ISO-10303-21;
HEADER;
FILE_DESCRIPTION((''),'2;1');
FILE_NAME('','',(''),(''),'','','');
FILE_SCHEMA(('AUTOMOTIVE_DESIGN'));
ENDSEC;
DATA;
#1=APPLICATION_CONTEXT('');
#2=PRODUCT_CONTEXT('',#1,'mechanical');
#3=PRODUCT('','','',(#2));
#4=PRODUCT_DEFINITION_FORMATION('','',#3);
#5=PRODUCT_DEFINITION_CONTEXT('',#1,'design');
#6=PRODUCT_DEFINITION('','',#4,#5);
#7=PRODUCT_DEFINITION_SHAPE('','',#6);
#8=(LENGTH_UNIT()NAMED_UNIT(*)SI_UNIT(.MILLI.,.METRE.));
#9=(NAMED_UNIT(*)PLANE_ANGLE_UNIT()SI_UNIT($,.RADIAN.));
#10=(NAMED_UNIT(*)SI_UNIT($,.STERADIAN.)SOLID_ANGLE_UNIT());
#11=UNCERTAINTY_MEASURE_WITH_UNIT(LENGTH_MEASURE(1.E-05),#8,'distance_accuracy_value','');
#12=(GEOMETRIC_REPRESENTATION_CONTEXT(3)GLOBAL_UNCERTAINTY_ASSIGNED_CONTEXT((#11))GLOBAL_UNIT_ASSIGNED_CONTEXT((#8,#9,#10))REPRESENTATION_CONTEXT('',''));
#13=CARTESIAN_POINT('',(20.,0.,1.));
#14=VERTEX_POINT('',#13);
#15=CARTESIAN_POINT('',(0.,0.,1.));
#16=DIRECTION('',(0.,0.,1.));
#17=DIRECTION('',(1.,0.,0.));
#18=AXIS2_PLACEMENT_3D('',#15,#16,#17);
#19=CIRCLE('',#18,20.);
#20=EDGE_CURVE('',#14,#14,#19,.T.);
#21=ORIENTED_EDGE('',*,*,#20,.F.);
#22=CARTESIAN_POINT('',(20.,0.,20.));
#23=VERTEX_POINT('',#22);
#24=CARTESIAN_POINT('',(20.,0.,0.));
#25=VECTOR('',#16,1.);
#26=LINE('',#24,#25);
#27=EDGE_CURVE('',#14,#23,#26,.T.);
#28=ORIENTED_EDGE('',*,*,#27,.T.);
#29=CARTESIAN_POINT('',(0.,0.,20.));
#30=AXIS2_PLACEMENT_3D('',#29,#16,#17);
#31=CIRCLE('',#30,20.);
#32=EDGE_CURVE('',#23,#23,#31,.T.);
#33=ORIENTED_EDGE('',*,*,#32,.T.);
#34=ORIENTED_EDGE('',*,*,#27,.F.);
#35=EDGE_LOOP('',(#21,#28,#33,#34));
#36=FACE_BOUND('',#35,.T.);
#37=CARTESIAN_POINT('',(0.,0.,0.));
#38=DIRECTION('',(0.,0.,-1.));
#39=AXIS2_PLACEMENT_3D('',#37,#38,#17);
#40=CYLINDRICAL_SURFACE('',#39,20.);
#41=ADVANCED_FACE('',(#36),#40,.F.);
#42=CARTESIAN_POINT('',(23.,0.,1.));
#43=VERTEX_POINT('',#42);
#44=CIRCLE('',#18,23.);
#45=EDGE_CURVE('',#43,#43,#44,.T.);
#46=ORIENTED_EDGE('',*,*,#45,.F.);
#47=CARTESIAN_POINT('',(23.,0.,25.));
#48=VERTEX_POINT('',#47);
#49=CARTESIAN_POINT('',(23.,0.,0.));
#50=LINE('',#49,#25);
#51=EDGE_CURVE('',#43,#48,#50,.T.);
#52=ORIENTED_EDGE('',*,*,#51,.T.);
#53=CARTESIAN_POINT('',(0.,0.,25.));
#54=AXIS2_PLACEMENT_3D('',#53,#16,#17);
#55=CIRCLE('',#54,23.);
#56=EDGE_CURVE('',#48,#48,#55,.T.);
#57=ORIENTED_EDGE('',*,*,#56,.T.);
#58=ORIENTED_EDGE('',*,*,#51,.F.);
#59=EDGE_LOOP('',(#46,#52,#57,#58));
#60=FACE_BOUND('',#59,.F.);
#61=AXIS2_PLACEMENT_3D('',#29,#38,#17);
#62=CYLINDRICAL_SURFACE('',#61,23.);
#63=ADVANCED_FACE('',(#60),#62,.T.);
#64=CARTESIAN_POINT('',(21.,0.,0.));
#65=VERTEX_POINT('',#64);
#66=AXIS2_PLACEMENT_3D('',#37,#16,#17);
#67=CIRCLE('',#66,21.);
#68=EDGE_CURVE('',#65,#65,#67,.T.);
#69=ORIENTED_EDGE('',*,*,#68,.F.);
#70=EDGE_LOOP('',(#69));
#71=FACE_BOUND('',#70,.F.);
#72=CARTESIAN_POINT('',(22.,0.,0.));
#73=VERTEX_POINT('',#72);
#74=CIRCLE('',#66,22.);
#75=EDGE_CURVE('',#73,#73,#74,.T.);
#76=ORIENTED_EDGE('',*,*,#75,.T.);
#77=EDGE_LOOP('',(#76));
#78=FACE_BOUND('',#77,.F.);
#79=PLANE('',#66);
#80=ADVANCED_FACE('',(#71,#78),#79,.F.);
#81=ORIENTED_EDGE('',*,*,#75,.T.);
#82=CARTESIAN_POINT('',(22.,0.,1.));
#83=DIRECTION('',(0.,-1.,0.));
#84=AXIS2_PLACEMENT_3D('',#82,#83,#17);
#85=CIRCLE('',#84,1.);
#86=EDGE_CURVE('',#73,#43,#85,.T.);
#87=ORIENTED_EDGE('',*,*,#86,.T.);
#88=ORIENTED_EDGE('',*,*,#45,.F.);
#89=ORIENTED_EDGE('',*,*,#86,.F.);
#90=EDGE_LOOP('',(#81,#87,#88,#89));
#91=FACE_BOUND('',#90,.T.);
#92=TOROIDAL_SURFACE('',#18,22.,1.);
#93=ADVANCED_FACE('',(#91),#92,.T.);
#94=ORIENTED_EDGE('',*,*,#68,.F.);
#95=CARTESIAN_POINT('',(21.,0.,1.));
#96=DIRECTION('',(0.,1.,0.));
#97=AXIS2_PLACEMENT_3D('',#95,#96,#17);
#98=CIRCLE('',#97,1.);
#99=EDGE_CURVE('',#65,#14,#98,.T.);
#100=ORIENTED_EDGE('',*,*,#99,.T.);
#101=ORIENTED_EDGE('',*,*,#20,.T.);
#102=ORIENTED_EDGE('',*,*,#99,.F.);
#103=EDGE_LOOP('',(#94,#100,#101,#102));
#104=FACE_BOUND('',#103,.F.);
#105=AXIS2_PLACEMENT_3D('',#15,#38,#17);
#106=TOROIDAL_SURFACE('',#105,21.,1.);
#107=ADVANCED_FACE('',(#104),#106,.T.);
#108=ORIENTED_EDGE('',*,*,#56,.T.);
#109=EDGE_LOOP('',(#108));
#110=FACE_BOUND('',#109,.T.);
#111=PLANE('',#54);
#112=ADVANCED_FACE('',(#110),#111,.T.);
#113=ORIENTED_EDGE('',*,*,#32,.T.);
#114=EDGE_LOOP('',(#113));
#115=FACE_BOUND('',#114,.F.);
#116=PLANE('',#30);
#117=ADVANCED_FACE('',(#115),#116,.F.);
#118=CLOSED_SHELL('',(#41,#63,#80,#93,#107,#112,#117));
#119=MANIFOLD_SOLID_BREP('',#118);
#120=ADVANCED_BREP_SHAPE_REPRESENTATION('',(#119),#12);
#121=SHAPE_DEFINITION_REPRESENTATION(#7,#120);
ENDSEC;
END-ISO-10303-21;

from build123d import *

# Parameters (mm, degrees)
F0_R     = 23
F0_R_2   = 20
F1_DEPTH = 20
F2_R     = 23
F3_DEPTH = 5
F4_R     = 1
F5_R     = 1


with BuildPart() as f1:
    # F0 (on Top) → F1 (new body)
    with BuildSketch(Plane.XY):
        Circle(F0_R)
        Circle(F0_R_2, mode=Mode.SUBTRACT)
    extrude(amount=F1_DEPTH)

    # F2 (on face) → F3 (join)
    with BuildSketch(Plane.XY.offset(20)):
        Circle(F2_R)
    extrude(amount=F3_DEPTH)

    # F4
    f4_edges = [f1.edges().sort_by_distance(p)[0] for p in [
        (-20, 0, 0),
    ]]
    fillet(f4_edges, radius=F4_R)

    # F5
    f5_edges = [f1.edges().sort_by_distance(p)[0] for p in [
        (-23, 0, 0),
    ]]
    fillet(f5_edges, radius=F5_R)


solid = f1.part
